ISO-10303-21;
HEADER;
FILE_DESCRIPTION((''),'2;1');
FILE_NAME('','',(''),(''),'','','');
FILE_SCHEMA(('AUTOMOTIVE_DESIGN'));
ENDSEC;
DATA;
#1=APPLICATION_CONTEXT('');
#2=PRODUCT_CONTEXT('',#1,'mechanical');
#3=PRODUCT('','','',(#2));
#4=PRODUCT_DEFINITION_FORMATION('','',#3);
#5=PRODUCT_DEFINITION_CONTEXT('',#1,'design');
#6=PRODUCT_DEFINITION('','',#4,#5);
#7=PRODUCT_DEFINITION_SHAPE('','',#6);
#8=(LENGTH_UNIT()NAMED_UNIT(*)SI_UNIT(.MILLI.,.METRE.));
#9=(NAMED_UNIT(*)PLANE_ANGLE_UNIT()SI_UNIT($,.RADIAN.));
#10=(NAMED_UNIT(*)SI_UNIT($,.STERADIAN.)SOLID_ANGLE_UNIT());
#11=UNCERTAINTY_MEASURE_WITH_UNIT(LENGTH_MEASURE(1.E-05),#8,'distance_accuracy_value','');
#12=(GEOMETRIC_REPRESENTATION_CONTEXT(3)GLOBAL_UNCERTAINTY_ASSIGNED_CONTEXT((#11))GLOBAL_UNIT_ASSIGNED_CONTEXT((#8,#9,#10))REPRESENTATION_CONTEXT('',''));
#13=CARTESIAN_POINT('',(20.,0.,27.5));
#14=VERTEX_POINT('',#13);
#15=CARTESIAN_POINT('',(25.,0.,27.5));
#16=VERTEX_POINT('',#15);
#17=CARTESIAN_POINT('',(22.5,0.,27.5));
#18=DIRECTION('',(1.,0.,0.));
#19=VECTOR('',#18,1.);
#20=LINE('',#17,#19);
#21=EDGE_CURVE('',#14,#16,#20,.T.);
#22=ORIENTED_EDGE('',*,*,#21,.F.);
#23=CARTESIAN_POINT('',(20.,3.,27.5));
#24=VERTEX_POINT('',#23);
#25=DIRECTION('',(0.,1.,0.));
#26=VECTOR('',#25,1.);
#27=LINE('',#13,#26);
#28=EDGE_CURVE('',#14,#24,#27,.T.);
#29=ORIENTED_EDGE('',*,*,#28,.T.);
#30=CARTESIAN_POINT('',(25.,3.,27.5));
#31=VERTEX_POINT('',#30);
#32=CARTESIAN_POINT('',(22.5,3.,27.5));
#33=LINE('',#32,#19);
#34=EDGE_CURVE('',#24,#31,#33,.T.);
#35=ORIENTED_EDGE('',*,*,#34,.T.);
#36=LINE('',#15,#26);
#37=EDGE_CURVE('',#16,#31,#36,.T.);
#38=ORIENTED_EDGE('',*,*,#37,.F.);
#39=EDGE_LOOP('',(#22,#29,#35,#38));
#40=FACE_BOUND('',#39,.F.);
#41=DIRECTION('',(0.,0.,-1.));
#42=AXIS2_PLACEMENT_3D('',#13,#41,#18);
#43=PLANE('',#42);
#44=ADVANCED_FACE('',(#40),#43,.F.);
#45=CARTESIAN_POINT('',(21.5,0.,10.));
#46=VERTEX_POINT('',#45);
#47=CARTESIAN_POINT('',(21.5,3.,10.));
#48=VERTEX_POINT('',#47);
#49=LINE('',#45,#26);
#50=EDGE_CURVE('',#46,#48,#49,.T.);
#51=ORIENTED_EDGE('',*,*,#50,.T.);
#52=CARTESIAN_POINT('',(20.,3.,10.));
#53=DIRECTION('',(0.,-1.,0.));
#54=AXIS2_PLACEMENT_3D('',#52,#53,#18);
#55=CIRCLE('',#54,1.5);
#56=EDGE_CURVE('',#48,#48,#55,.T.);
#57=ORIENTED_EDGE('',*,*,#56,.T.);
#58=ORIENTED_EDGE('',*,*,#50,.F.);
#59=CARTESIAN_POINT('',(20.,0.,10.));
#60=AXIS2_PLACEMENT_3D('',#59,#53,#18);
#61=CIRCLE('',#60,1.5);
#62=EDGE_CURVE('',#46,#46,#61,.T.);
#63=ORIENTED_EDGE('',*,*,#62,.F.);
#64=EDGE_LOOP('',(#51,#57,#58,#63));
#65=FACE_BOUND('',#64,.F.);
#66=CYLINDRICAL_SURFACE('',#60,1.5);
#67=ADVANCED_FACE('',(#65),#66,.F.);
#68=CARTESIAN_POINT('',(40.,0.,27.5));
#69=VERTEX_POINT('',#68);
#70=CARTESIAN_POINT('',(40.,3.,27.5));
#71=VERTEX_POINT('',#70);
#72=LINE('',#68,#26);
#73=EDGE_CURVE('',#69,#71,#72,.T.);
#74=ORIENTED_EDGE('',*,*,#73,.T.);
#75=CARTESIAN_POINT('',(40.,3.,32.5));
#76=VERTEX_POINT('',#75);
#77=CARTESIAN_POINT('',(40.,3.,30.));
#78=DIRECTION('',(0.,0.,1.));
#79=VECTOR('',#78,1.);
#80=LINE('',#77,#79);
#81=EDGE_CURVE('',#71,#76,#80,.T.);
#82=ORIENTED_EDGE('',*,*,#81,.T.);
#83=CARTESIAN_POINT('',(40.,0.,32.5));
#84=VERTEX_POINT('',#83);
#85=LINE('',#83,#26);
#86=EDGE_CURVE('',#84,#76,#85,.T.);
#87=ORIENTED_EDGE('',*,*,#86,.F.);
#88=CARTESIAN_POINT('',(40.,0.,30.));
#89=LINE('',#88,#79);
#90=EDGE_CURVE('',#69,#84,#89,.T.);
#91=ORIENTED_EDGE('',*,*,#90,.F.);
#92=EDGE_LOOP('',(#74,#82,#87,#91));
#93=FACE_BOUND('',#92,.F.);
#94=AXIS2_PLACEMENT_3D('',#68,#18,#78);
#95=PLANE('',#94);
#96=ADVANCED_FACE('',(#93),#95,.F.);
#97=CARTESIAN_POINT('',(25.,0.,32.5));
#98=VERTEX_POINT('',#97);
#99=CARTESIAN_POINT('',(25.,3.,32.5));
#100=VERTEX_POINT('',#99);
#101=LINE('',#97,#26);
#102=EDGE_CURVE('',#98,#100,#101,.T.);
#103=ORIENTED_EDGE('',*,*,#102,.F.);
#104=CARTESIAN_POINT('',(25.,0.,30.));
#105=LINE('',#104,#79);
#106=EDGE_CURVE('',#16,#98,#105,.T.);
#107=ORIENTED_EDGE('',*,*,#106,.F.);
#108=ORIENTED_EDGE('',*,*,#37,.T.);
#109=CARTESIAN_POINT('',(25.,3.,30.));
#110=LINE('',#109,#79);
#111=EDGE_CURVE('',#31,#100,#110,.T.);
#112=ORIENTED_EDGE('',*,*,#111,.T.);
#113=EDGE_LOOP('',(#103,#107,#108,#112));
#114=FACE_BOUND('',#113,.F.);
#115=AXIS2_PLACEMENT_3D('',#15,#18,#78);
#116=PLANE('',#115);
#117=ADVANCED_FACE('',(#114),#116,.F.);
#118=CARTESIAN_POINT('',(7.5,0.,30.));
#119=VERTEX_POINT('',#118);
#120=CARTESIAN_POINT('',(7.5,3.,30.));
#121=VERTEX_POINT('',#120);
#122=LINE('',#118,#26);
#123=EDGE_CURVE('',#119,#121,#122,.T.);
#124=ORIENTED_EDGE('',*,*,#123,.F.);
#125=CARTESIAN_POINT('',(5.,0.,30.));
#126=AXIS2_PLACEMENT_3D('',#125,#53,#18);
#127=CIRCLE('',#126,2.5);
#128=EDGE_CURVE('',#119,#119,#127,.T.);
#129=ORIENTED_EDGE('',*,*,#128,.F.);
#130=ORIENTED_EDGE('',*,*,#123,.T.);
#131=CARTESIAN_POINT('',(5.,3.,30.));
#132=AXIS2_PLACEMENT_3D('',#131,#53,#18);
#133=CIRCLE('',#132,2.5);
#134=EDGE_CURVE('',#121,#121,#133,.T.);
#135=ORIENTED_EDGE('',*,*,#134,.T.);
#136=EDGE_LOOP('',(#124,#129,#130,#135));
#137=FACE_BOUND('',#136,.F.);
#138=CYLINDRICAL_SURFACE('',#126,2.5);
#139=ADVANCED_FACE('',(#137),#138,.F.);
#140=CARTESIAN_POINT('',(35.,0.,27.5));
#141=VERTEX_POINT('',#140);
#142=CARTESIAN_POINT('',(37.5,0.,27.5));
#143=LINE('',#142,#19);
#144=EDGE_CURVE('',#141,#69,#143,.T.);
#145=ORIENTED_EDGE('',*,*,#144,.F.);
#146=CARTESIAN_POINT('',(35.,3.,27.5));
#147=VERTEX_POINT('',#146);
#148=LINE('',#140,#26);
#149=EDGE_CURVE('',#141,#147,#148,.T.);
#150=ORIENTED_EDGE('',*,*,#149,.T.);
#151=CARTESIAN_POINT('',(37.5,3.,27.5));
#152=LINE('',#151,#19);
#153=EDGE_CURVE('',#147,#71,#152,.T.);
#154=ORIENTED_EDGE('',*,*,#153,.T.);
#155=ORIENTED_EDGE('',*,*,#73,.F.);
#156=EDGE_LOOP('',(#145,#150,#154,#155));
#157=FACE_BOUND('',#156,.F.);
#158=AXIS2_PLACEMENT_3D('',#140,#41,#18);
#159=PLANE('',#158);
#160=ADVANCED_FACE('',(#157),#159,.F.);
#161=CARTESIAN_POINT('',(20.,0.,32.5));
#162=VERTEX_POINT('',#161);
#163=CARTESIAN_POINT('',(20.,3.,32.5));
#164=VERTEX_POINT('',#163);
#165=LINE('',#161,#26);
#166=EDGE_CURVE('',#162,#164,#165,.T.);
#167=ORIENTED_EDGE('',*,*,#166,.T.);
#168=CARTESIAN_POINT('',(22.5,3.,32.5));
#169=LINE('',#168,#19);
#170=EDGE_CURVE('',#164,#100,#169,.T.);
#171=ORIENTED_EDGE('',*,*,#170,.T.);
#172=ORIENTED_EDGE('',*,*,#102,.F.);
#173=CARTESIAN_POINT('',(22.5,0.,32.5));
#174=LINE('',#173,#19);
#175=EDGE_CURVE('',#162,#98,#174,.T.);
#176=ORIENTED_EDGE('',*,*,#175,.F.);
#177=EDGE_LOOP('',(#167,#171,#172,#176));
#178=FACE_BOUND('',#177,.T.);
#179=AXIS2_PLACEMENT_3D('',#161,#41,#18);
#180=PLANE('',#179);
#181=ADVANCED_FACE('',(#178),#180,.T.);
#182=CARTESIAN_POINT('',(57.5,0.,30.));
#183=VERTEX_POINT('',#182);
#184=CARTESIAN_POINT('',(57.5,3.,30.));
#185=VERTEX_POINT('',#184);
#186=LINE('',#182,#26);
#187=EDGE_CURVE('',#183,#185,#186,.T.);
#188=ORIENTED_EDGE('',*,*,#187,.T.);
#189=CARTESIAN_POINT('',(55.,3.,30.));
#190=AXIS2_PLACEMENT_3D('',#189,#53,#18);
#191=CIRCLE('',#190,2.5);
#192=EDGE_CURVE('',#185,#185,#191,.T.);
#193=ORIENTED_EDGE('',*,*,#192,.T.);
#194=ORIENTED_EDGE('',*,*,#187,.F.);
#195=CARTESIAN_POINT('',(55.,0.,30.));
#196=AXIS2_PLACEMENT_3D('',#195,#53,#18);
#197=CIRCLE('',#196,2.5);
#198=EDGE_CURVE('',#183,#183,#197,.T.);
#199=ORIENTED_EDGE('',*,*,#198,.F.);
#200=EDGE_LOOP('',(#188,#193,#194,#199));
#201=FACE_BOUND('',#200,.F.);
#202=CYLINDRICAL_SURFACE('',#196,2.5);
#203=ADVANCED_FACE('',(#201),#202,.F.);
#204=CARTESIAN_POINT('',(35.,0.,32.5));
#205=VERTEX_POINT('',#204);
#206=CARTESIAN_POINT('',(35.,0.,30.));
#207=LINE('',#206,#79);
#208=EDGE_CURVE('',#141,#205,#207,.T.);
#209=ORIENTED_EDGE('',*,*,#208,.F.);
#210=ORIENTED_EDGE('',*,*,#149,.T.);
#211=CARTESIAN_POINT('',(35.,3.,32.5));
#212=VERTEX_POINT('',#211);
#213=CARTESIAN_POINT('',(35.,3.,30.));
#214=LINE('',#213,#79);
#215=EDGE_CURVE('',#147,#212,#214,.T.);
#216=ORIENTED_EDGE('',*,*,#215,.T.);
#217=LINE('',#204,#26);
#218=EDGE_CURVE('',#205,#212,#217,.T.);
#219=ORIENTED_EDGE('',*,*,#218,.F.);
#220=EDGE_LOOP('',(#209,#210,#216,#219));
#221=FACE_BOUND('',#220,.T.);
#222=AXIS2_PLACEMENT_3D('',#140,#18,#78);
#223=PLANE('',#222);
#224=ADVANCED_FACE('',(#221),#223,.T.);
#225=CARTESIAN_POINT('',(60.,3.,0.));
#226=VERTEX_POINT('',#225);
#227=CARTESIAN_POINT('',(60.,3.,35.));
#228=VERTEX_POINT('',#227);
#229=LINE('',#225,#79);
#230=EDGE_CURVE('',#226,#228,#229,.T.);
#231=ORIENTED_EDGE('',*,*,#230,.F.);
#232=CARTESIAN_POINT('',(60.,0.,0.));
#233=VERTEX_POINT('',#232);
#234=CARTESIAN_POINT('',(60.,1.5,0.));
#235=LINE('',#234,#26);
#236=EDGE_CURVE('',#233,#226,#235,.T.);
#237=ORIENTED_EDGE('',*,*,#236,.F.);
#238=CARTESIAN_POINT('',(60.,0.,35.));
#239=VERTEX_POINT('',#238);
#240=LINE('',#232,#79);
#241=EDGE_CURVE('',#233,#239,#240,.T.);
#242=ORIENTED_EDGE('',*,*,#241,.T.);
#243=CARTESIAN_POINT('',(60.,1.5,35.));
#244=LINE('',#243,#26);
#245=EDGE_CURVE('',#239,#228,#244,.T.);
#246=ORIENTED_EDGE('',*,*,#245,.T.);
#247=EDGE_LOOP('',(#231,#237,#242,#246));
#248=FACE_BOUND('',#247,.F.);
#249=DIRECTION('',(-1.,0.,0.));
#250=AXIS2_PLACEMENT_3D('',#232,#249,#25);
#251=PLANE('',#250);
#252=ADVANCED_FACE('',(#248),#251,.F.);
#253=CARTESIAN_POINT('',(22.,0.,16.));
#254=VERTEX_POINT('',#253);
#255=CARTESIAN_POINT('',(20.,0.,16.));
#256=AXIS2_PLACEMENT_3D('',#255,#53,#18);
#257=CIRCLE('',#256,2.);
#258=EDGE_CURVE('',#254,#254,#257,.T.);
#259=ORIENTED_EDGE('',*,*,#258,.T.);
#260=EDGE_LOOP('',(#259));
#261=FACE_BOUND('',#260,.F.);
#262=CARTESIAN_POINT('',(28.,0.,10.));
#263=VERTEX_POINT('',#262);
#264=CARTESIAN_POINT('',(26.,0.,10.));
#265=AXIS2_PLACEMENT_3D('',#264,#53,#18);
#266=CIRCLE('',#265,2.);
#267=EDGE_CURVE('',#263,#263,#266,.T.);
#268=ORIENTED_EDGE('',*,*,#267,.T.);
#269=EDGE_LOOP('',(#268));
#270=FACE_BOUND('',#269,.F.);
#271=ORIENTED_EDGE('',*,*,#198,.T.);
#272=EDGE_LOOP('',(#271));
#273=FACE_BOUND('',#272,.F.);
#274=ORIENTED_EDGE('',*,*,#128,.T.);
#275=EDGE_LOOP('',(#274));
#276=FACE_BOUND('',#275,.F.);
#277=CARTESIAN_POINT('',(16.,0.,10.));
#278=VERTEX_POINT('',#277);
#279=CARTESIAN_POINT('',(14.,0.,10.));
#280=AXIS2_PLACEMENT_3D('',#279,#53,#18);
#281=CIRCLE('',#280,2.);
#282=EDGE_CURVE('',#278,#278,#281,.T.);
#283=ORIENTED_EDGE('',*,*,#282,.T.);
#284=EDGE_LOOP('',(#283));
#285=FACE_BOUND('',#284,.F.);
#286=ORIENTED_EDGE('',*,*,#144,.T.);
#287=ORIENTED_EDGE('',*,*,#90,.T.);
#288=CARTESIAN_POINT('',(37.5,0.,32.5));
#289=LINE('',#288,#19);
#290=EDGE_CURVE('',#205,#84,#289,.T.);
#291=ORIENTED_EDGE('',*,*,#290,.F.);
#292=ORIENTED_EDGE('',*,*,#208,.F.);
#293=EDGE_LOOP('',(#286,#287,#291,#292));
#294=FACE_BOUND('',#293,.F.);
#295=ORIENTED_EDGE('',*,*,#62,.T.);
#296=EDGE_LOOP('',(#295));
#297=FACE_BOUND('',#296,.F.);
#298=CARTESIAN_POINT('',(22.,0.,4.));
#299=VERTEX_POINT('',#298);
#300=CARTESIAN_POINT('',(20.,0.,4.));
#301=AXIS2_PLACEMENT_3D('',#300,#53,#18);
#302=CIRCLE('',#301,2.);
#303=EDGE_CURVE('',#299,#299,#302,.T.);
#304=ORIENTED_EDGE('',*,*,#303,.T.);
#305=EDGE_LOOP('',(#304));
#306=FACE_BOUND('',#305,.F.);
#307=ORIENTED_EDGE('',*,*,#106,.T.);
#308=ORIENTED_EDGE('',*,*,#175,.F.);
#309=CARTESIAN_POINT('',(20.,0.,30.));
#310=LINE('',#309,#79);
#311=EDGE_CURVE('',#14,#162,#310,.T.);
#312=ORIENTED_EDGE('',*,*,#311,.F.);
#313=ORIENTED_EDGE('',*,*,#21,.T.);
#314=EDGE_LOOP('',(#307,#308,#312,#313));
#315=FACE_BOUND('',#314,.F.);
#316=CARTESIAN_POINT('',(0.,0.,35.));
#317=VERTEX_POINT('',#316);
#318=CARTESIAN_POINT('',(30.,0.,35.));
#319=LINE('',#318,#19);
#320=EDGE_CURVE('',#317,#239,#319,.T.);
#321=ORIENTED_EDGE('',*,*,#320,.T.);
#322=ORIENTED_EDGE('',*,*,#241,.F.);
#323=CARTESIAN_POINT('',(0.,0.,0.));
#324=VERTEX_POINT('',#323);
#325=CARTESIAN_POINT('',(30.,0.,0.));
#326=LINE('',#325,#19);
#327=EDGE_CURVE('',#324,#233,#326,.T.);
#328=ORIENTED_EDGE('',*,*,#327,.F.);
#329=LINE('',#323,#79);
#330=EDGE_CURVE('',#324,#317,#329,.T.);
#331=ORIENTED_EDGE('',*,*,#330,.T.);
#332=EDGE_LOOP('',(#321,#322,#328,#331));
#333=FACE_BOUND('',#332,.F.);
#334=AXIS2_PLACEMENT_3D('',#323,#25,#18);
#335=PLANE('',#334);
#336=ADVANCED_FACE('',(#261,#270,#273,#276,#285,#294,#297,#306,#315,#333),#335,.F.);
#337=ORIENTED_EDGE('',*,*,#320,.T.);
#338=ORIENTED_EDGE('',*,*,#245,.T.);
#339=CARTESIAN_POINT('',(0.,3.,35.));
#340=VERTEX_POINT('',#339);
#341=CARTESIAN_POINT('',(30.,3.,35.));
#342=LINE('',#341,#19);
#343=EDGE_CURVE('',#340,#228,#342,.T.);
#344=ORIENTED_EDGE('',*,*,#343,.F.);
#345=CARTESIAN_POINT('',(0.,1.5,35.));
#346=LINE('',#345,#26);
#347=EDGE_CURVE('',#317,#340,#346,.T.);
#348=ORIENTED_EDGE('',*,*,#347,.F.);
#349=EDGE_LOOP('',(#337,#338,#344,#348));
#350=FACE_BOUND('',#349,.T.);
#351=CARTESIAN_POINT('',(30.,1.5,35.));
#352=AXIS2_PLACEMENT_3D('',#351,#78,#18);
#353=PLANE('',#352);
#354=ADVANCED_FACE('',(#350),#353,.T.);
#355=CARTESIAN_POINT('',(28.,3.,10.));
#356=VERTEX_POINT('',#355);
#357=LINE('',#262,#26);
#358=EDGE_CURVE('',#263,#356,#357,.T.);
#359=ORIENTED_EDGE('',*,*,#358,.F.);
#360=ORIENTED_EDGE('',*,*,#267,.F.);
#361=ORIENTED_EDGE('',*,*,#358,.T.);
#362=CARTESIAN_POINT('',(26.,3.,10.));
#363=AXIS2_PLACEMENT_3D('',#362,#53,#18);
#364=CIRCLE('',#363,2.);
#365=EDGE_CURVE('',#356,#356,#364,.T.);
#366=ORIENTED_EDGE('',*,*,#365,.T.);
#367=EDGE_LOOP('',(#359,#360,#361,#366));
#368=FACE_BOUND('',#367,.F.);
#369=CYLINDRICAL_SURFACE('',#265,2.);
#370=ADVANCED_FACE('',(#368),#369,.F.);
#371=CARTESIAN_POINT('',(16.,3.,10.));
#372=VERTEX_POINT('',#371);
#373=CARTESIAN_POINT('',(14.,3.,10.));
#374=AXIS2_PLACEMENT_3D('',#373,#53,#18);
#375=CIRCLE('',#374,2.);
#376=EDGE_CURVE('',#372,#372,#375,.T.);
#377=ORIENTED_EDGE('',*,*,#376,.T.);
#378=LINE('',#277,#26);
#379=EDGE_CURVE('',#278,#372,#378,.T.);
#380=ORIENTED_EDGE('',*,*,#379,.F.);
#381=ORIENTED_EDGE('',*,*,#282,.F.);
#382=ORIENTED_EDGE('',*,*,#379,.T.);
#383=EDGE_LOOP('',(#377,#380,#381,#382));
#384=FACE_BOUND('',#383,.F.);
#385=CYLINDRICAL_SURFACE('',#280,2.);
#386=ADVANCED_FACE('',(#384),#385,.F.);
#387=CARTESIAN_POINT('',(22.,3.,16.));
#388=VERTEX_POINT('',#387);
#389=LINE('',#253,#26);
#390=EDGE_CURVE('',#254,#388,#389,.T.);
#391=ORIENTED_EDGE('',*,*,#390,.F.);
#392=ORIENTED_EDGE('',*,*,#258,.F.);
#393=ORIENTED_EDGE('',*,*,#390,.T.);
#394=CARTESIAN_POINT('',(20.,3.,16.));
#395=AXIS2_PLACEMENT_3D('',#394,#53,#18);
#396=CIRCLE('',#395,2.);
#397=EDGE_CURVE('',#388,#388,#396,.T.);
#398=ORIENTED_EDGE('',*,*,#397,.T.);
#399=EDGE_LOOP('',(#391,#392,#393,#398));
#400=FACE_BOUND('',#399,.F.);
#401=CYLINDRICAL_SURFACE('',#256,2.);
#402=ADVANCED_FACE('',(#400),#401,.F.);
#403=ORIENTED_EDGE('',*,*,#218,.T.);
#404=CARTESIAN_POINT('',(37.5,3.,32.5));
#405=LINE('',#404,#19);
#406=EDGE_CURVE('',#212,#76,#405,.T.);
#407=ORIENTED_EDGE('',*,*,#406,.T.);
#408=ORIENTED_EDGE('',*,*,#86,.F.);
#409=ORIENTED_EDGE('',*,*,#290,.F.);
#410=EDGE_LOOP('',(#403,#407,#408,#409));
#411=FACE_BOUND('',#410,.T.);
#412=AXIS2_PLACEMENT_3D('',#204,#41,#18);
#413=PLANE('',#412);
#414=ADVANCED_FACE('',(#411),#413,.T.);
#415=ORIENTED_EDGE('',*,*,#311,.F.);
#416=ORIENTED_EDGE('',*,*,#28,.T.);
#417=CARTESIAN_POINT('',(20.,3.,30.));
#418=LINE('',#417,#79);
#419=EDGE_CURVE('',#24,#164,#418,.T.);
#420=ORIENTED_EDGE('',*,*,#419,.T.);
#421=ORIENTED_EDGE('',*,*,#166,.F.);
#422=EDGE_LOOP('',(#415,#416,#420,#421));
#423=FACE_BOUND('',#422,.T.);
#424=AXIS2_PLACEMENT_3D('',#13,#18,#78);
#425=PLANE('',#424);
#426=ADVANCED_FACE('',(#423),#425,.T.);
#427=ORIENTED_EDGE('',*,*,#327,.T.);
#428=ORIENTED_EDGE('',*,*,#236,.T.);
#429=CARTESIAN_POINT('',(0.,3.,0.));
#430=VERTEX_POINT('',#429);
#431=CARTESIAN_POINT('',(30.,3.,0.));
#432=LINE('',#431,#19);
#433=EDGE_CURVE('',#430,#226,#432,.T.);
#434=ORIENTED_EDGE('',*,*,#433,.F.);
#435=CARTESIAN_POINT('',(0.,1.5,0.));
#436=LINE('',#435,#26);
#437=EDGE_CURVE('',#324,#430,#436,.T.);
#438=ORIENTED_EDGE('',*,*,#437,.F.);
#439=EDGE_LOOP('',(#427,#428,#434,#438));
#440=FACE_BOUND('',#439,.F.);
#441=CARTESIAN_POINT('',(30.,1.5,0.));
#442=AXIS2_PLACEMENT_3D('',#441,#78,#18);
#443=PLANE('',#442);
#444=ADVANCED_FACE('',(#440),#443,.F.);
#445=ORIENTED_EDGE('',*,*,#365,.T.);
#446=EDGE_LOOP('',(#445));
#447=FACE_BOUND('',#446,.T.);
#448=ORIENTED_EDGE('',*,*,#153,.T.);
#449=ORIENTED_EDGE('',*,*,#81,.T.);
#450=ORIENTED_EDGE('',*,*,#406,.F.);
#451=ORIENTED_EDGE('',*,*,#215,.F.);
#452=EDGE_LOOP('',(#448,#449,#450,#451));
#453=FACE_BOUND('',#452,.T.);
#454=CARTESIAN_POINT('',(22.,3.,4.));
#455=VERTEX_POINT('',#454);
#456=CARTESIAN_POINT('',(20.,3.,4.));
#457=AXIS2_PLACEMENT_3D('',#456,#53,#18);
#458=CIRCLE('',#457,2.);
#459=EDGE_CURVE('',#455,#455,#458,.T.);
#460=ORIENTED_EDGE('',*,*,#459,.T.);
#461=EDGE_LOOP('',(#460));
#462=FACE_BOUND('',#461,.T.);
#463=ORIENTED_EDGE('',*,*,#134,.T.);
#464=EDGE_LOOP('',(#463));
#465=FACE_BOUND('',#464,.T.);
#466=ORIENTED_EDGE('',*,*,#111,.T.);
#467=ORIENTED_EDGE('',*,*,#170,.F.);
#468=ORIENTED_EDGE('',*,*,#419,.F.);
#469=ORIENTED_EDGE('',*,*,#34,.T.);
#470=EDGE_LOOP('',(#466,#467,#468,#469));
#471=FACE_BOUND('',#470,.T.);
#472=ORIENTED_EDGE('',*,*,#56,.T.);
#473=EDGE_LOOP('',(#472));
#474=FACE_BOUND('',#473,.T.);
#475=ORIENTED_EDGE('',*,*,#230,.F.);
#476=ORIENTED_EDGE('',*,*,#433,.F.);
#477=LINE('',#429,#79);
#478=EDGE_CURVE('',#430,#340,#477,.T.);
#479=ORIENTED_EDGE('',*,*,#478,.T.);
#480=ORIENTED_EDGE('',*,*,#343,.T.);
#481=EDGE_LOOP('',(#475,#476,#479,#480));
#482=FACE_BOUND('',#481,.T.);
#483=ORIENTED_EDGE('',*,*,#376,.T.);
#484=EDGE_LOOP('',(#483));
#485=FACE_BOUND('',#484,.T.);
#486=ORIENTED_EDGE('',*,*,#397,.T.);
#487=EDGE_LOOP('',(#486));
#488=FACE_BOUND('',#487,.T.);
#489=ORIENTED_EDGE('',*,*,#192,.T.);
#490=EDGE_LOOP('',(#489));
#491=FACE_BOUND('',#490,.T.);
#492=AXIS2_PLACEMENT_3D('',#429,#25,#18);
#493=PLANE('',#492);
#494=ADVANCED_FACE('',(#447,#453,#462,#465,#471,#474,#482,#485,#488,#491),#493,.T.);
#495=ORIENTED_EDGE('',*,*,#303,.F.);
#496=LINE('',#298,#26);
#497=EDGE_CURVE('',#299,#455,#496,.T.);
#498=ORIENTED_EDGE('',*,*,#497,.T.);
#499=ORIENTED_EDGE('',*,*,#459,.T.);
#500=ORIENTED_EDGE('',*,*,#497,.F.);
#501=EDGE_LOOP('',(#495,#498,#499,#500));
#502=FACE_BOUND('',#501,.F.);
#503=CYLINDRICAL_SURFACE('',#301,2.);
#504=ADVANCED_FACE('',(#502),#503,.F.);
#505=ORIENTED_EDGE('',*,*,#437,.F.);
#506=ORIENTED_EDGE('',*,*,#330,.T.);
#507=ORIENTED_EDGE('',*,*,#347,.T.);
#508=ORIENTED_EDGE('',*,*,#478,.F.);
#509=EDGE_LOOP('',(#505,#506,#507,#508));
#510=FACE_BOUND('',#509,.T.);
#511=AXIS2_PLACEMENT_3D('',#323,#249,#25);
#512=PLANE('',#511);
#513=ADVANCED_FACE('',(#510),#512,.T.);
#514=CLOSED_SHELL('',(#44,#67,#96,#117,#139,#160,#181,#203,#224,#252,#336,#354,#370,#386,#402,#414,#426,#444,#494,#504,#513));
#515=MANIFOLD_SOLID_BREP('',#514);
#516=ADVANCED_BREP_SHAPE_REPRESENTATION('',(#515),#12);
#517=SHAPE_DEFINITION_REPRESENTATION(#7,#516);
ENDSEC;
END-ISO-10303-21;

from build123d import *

# Parameters (mm, degrees)
SKETCH_W      = 60
SKETCH_H      = 3
PAD_DEPTH     = 35
SKETCH001_R   = 1.5
SKETCH001_R_2 = 2
SKETCH001_R_3 = 2.5
SKETCH001_W   = 5
SKETCH001_H   = 5
POCKET_DEPTH  = 3


with BuildPart() as part:
    # Sketch → Pad (new body)
    with BuildSketch(Plane.XY):
        with Locations((30, 1.5)):
            Rectangle(SKETCH_W, SKETCH_H)
    extrude(amount=PAD_DEPTH)

    # Sketch001 → Pocket (cut)
    with BuildSketch(Plane.XZ):
        with Locations((20, 10)):
            Circle(SKETCH001_R)
        with Locations((26, 10)):
            Circle(SKETCH001_R_2)
        with Locations((20, 16)):
            Circle(SKETCH001_R_2)
        with Locations((14, 10)):
            Circle(SKETCH001_R_2)
        with Locations((20, 4)):
            Circle(SKETCH001_R_2)
        with Locations((5, 30)):
            Circle(SKETCH001_R_3)
        with Locations((55, 30)):
            Circle(SKETCH001_R_3)
        with Locations((22.5, 30)):
            Rectangle(SKETCH001_W, SKETCH001_H)
        with Locations((37.5, 30)):
            Rectangle(SKETCH001_W, SKETCH001_H)
    extrude(amount=-POCKET_DEPTH, mode=Mode.SUBTRACT)


solid = part.part
